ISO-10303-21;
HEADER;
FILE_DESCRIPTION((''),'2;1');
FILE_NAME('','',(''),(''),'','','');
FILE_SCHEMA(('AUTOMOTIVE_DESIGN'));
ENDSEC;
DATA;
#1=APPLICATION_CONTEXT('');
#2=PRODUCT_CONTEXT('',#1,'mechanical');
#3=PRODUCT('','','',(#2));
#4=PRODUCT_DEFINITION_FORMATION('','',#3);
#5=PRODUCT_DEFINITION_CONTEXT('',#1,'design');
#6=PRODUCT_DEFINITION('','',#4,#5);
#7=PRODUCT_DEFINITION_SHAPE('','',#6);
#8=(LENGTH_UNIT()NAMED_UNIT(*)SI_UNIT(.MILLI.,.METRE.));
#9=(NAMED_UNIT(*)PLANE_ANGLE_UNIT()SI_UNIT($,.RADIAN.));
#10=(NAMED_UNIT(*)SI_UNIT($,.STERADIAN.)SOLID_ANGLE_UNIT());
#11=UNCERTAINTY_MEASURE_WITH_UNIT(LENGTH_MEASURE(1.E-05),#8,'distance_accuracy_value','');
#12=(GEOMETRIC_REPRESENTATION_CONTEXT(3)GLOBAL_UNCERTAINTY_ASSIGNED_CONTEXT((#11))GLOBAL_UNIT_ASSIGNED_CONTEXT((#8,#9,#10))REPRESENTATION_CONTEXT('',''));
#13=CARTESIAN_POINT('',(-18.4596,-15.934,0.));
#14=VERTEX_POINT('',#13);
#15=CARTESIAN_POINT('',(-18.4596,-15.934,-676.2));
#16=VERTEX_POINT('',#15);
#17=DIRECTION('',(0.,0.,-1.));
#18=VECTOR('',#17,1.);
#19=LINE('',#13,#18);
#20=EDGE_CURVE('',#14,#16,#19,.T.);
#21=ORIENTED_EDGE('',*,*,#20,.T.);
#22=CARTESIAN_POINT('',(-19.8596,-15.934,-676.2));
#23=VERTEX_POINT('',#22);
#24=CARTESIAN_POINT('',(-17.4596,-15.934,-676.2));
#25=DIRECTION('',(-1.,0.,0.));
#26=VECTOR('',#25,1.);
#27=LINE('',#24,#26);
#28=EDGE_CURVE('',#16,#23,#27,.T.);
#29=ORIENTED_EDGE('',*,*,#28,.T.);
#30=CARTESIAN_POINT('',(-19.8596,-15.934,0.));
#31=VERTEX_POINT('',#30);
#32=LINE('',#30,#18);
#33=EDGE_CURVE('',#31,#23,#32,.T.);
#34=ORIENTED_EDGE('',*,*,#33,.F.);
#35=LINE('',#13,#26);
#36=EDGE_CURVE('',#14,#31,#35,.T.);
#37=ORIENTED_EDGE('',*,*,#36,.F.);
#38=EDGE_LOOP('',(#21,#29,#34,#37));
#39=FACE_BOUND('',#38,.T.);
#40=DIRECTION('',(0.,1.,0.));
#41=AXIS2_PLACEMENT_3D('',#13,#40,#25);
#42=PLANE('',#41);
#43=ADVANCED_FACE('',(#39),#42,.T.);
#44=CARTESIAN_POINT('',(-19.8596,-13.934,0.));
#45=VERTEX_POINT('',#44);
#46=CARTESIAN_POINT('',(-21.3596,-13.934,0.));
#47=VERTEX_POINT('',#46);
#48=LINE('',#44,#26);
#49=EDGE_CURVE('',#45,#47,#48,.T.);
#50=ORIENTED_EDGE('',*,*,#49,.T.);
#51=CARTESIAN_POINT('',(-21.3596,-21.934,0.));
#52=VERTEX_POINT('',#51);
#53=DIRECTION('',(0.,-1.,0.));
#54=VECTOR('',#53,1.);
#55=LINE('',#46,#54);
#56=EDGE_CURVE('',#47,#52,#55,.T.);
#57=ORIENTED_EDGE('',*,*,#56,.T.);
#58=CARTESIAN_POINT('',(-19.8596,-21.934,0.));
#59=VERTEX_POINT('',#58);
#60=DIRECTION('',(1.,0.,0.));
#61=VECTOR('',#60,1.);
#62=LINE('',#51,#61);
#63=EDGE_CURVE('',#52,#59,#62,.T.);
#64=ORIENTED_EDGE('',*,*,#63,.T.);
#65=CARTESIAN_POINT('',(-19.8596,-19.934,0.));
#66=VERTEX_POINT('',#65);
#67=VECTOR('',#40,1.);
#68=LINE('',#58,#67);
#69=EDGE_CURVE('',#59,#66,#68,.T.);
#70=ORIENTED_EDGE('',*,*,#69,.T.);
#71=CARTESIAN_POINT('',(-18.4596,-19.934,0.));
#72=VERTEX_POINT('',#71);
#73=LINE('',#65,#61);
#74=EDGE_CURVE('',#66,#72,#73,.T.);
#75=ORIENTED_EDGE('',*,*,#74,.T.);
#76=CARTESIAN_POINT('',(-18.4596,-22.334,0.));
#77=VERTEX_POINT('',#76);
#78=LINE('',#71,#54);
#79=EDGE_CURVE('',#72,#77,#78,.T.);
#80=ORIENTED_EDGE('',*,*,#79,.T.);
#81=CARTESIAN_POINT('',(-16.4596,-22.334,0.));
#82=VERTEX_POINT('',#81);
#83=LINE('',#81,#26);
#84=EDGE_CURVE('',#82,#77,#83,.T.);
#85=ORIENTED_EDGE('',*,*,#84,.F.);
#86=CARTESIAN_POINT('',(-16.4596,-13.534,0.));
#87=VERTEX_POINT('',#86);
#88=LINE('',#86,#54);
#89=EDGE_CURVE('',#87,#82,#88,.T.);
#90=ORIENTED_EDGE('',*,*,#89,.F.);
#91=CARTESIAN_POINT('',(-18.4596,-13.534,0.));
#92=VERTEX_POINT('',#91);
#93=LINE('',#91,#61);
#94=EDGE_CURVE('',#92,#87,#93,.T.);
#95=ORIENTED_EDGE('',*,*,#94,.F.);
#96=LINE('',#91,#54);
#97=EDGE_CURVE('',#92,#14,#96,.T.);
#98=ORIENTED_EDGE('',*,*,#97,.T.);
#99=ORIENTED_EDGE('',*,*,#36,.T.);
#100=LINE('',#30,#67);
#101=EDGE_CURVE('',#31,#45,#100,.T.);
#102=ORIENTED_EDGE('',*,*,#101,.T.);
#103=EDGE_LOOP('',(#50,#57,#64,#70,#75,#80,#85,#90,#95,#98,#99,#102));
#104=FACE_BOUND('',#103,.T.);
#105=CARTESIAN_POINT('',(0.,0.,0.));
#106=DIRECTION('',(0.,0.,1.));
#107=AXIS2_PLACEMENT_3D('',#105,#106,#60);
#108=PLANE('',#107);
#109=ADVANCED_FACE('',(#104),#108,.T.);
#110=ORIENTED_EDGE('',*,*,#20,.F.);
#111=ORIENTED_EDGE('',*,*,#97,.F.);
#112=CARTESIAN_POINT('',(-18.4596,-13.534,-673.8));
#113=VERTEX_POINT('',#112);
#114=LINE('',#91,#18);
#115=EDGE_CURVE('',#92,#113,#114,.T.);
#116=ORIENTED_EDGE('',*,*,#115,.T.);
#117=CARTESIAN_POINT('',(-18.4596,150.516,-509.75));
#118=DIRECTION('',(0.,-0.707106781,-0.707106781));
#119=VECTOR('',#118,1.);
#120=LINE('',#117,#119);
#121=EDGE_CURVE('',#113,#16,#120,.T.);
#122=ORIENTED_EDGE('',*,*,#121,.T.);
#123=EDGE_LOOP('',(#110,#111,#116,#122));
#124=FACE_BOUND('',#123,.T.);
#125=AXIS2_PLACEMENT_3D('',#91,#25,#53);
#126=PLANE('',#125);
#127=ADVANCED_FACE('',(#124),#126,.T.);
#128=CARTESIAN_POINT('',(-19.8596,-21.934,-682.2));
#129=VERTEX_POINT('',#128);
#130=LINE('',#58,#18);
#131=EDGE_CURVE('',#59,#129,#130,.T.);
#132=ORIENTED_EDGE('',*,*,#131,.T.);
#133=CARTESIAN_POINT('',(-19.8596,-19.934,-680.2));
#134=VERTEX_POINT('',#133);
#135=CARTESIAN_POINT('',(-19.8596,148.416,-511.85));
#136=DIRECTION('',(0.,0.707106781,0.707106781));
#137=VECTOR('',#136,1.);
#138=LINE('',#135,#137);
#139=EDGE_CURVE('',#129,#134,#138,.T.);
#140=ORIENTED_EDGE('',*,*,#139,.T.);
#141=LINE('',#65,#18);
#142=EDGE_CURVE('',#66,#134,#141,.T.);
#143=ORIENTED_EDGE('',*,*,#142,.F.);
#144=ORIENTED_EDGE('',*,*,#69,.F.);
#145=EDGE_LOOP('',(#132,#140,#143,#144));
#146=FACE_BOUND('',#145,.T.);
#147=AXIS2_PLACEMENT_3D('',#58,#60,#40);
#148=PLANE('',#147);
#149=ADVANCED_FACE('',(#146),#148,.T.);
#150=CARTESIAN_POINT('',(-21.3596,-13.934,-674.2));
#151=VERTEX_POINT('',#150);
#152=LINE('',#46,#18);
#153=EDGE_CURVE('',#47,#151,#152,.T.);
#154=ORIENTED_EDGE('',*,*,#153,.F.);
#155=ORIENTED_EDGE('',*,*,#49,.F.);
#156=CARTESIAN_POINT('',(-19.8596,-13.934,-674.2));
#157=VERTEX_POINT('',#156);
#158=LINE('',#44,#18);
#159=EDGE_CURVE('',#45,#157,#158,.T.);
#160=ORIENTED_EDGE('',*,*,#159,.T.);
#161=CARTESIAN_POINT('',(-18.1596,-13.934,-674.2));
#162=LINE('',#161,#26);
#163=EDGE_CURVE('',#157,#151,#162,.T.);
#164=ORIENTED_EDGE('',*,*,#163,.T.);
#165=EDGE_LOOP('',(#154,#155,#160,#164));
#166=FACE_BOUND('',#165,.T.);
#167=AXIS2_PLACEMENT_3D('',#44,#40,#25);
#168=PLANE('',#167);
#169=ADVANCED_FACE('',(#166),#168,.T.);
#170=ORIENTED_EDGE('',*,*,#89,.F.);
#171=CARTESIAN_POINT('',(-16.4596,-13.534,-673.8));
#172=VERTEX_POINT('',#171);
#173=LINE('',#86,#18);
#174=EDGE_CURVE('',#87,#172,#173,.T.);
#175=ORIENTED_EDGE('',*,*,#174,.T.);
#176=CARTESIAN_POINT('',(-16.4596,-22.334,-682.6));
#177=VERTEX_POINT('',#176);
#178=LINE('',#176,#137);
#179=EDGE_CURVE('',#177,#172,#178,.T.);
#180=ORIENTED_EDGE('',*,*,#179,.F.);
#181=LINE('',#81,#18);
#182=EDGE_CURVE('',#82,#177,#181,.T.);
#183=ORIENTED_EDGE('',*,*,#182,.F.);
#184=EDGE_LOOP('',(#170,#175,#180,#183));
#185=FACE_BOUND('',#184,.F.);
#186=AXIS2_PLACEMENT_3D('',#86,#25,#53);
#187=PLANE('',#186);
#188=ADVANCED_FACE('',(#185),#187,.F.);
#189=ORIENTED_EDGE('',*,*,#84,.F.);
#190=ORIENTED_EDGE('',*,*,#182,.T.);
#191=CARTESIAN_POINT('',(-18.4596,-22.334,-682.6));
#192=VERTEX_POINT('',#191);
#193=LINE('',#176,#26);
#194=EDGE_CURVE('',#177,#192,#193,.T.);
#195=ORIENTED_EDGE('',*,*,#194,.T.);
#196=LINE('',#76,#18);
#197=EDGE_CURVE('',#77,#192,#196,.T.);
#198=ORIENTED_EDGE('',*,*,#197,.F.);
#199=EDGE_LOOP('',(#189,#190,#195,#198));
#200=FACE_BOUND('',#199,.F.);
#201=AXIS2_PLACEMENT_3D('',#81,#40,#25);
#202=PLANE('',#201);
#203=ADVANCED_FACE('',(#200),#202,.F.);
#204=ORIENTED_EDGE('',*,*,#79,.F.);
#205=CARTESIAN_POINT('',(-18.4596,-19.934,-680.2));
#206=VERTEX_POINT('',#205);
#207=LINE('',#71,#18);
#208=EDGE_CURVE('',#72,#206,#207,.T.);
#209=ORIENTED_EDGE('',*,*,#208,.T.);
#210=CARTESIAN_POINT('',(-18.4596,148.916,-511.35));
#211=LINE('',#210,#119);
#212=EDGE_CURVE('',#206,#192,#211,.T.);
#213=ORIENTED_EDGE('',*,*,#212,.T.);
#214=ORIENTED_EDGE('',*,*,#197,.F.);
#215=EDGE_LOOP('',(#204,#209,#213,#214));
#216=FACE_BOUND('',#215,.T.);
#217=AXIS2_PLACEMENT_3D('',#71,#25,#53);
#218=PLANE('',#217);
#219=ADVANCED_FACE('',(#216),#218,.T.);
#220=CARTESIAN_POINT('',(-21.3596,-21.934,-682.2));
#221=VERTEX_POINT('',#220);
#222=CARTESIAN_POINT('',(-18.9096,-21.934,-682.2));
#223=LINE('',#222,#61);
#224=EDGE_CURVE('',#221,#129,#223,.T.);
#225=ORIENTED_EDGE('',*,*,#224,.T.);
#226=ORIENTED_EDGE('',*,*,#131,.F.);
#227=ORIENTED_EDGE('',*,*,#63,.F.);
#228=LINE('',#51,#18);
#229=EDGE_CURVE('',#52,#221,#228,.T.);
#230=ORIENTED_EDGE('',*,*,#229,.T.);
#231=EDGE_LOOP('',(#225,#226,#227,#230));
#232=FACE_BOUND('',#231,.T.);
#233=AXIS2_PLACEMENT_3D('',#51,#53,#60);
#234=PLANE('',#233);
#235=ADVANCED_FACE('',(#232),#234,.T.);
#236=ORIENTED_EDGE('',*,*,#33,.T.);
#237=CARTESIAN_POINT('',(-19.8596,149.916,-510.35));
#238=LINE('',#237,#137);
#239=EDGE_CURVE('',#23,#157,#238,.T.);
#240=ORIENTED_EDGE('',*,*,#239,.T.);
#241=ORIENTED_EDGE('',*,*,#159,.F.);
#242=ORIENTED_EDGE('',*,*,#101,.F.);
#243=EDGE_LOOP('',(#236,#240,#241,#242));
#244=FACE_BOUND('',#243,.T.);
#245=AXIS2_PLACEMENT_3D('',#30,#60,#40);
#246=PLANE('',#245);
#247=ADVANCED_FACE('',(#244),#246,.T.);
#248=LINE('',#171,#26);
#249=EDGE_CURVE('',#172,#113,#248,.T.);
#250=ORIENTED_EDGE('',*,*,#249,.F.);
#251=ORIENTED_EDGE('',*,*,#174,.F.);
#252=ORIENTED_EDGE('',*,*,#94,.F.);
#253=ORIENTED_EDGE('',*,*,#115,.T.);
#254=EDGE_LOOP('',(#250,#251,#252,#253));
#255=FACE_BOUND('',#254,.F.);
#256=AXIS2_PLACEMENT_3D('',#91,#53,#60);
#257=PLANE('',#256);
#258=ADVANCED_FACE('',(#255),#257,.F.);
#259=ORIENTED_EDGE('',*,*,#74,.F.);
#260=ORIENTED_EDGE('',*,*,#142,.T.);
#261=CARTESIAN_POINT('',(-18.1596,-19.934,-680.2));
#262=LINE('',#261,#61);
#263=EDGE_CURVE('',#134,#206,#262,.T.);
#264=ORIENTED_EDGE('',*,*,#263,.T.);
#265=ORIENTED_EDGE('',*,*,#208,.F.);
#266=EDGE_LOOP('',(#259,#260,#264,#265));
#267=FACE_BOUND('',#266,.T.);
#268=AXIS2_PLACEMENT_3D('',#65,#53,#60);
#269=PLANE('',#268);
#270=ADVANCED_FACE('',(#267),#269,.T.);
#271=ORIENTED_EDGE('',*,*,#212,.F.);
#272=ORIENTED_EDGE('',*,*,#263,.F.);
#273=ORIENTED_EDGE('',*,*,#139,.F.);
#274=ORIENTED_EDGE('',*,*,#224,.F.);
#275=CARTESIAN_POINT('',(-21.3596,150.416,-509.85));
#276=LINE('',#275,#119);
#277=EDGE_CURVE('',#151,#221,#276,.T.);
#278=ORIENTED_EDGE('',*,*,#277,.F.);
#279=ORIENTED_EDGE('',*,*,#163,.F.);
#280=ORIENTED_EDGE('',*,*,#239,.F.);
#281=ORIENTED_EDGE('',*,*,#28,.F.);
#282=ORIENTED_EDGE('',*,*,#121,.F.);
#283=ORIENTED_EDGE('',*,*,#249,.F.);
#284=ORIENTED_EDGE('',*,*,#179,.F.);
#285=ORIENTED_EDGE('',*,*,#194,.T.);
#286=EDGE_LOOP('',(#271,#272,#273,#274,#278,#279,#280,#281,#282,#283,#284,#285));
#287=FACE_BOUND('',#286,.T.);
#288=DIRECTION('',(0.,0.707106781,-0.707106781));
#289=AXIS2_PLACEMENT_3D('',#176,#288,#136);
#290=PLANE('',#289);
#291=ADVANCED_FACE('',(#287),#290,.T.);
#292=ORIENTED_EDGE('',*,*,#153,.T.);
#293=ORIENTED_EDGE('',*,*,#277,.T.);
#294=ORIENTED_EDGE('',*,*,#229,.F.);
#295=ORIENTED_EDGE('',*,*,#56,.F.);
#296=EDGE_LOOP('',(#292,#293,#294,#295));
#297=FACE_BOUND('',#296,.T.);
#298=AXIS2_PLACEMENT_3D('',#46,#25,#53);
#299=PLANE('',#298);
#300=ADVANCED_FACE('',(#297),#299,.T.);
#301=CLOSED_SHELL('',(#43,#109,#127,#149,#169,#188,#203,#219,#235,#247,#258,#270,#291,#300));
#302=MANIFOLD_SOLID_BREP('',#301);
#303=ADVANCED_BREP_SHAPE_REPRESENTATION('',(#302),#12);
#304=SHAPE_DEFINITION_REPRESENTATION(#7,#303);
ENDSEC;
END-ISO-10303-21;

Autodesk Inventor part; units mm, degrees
ref_plane "YZ Plane" through (0, 0, 0) normal (1, 0, 0) x (0, 1, 0)
ref_plane "XZ Plane" through (0, 0, 0) normal (0, 1, 0) x (-1, 0, 0)
ref_plane "XY Plane" through (0, 0, 0) normal (0, 0, 1) x (1, 0, 0)
sketch "Boceto1" plane through (0, 0, 0) normal (0, 0, 1) x (1, 0, 0)
  line L0 (-18.4596, -13.534) -> (-18.4596, -15.934)
  line L1 (-18.4596, -15.934) -> (-19.8596, -15.934)
  line L2 (-19.8596, -15.934) -> (-19.8596, -13.934)
  line L3 (-19.8596, -13.934) -> (-21.3596, -13.934)
  line L4 (-21.3596, -13.934) -> (-21.3596, -21.934)
  line L5 (-21.3596, -21.934) -> (-19.8596, -21.934)
  line L6 (-19.8596, -21.934) -> (-19.8596, -19.934)
  line L7 (-19.8596, -19.934) -> (-18.4596, -19.934)
  line L8 (-18.4596, -19.934) -> (-18.4596, -22.334)
  line L9 (-18.4596, -13.534) -> (-16.4596, -13.534)
  line L10 (-16.4596, -13.534) -> (-16.4596, -22.334)
  line L11 (-16.4596, -22.334) -> (-18.4596, -22.334)
  point P0 (-26.2596, -17.734)
  point P1 (-21.3596, -17.934)
  dimension "d28" = 1.4
  dimension "d30" = 1.4
  dimension "d34" = 8
  dimension "d35" = 2
  dimension "d36" = 4
  dimension "d37" = 1.5
  dimension "d64" = 8.8
  dimension "d65" = 2
extrude "Extrusión1" add sketch "Boceto1" against normal blind 682.6
ref_plane "Plano de trabajo2" through (0, 0, -341.3) normal (0, 0, -1) x (-1, 0, 0)
sketch "Boceto4" plane through (-16.4596, -22.334, 0) normal (1, 0, 0) x (0, 0, -1)
  line L0 (0, 0) -> (682.6, 0) projected
  line L1 (682.6, 0) -> (673.8, 8.8)
  line L2 (0, 8.8) -> (682.6, 8.8) projected
  line L3 (682.6, 8.8) -> (673.8, 8.8)
  line L4 (682.6, 8.8) -> (682.6, 0)
  point P0 (0, 22.334)
  dimension "d72" = 45
extrude "Extrusión3" cut sketch "Boceto4" against normal blind 10
properties part number "JUNTA DE FELPA 692 mm" material "Caucho"
